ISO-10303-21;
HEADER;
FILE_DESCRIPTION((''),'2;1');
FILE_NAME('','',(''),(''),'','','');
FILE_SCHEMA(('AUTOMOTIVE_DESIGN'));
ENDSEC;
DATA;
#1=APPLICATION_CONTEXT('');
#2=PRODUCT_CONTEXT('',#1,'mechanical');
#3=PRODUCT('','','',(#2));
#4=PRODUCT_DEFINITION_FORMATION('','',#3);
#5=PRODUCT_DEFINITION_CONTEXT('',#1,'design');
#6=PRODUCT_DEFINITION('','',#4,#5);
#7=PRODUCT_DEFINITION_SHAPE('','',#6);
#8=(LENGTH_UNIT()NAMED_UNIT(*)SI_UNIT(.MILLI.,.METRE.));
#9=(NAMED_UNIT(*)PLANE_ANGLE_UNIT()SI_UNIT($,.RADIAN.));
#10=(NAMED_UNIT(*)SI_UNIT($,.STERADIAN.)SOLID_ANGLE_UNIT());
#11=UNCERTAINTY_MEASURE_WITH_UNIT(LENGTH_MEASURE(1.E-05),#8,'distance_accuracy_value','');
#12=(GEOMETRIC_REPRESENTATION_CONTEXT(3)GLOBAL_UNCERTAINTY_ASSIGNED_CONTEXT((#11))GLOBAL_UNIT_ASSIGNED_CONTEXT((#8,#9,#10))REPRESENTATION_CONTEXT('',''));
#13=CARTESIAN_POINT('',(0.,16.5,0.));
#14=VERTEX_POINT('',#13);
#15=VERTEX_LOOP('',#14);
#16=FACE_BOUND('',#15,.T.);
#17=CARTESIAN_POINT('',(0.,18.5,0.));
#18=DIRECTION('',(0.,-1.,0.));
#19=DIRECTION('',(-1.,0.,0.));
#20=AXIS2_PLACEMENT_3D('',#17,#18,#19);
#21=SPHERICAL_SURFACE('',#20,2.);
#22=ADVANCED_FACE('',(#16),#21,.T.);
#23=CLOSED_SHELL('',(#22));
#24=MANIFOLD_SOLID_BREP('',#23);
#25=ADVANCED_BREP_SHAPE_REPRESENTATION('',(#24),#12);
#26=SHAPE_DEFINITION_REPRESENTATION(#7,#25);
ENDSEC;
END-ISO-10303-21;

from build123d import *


with BuildPart() as part:
    # Esquisse1 → R_volution1 (revolve)
    with BuildSketch(Plane.XY):
        with BuildLine():
            Line((0, 20.5), (0, 16.5))
            ThreePointArc((0, 16.5), (-2, 18.5), (0, 20.5))
        make_face()
    revolve(axis=Axis((0, 0, 0), (0, 1, 0)))


solid = part.part
